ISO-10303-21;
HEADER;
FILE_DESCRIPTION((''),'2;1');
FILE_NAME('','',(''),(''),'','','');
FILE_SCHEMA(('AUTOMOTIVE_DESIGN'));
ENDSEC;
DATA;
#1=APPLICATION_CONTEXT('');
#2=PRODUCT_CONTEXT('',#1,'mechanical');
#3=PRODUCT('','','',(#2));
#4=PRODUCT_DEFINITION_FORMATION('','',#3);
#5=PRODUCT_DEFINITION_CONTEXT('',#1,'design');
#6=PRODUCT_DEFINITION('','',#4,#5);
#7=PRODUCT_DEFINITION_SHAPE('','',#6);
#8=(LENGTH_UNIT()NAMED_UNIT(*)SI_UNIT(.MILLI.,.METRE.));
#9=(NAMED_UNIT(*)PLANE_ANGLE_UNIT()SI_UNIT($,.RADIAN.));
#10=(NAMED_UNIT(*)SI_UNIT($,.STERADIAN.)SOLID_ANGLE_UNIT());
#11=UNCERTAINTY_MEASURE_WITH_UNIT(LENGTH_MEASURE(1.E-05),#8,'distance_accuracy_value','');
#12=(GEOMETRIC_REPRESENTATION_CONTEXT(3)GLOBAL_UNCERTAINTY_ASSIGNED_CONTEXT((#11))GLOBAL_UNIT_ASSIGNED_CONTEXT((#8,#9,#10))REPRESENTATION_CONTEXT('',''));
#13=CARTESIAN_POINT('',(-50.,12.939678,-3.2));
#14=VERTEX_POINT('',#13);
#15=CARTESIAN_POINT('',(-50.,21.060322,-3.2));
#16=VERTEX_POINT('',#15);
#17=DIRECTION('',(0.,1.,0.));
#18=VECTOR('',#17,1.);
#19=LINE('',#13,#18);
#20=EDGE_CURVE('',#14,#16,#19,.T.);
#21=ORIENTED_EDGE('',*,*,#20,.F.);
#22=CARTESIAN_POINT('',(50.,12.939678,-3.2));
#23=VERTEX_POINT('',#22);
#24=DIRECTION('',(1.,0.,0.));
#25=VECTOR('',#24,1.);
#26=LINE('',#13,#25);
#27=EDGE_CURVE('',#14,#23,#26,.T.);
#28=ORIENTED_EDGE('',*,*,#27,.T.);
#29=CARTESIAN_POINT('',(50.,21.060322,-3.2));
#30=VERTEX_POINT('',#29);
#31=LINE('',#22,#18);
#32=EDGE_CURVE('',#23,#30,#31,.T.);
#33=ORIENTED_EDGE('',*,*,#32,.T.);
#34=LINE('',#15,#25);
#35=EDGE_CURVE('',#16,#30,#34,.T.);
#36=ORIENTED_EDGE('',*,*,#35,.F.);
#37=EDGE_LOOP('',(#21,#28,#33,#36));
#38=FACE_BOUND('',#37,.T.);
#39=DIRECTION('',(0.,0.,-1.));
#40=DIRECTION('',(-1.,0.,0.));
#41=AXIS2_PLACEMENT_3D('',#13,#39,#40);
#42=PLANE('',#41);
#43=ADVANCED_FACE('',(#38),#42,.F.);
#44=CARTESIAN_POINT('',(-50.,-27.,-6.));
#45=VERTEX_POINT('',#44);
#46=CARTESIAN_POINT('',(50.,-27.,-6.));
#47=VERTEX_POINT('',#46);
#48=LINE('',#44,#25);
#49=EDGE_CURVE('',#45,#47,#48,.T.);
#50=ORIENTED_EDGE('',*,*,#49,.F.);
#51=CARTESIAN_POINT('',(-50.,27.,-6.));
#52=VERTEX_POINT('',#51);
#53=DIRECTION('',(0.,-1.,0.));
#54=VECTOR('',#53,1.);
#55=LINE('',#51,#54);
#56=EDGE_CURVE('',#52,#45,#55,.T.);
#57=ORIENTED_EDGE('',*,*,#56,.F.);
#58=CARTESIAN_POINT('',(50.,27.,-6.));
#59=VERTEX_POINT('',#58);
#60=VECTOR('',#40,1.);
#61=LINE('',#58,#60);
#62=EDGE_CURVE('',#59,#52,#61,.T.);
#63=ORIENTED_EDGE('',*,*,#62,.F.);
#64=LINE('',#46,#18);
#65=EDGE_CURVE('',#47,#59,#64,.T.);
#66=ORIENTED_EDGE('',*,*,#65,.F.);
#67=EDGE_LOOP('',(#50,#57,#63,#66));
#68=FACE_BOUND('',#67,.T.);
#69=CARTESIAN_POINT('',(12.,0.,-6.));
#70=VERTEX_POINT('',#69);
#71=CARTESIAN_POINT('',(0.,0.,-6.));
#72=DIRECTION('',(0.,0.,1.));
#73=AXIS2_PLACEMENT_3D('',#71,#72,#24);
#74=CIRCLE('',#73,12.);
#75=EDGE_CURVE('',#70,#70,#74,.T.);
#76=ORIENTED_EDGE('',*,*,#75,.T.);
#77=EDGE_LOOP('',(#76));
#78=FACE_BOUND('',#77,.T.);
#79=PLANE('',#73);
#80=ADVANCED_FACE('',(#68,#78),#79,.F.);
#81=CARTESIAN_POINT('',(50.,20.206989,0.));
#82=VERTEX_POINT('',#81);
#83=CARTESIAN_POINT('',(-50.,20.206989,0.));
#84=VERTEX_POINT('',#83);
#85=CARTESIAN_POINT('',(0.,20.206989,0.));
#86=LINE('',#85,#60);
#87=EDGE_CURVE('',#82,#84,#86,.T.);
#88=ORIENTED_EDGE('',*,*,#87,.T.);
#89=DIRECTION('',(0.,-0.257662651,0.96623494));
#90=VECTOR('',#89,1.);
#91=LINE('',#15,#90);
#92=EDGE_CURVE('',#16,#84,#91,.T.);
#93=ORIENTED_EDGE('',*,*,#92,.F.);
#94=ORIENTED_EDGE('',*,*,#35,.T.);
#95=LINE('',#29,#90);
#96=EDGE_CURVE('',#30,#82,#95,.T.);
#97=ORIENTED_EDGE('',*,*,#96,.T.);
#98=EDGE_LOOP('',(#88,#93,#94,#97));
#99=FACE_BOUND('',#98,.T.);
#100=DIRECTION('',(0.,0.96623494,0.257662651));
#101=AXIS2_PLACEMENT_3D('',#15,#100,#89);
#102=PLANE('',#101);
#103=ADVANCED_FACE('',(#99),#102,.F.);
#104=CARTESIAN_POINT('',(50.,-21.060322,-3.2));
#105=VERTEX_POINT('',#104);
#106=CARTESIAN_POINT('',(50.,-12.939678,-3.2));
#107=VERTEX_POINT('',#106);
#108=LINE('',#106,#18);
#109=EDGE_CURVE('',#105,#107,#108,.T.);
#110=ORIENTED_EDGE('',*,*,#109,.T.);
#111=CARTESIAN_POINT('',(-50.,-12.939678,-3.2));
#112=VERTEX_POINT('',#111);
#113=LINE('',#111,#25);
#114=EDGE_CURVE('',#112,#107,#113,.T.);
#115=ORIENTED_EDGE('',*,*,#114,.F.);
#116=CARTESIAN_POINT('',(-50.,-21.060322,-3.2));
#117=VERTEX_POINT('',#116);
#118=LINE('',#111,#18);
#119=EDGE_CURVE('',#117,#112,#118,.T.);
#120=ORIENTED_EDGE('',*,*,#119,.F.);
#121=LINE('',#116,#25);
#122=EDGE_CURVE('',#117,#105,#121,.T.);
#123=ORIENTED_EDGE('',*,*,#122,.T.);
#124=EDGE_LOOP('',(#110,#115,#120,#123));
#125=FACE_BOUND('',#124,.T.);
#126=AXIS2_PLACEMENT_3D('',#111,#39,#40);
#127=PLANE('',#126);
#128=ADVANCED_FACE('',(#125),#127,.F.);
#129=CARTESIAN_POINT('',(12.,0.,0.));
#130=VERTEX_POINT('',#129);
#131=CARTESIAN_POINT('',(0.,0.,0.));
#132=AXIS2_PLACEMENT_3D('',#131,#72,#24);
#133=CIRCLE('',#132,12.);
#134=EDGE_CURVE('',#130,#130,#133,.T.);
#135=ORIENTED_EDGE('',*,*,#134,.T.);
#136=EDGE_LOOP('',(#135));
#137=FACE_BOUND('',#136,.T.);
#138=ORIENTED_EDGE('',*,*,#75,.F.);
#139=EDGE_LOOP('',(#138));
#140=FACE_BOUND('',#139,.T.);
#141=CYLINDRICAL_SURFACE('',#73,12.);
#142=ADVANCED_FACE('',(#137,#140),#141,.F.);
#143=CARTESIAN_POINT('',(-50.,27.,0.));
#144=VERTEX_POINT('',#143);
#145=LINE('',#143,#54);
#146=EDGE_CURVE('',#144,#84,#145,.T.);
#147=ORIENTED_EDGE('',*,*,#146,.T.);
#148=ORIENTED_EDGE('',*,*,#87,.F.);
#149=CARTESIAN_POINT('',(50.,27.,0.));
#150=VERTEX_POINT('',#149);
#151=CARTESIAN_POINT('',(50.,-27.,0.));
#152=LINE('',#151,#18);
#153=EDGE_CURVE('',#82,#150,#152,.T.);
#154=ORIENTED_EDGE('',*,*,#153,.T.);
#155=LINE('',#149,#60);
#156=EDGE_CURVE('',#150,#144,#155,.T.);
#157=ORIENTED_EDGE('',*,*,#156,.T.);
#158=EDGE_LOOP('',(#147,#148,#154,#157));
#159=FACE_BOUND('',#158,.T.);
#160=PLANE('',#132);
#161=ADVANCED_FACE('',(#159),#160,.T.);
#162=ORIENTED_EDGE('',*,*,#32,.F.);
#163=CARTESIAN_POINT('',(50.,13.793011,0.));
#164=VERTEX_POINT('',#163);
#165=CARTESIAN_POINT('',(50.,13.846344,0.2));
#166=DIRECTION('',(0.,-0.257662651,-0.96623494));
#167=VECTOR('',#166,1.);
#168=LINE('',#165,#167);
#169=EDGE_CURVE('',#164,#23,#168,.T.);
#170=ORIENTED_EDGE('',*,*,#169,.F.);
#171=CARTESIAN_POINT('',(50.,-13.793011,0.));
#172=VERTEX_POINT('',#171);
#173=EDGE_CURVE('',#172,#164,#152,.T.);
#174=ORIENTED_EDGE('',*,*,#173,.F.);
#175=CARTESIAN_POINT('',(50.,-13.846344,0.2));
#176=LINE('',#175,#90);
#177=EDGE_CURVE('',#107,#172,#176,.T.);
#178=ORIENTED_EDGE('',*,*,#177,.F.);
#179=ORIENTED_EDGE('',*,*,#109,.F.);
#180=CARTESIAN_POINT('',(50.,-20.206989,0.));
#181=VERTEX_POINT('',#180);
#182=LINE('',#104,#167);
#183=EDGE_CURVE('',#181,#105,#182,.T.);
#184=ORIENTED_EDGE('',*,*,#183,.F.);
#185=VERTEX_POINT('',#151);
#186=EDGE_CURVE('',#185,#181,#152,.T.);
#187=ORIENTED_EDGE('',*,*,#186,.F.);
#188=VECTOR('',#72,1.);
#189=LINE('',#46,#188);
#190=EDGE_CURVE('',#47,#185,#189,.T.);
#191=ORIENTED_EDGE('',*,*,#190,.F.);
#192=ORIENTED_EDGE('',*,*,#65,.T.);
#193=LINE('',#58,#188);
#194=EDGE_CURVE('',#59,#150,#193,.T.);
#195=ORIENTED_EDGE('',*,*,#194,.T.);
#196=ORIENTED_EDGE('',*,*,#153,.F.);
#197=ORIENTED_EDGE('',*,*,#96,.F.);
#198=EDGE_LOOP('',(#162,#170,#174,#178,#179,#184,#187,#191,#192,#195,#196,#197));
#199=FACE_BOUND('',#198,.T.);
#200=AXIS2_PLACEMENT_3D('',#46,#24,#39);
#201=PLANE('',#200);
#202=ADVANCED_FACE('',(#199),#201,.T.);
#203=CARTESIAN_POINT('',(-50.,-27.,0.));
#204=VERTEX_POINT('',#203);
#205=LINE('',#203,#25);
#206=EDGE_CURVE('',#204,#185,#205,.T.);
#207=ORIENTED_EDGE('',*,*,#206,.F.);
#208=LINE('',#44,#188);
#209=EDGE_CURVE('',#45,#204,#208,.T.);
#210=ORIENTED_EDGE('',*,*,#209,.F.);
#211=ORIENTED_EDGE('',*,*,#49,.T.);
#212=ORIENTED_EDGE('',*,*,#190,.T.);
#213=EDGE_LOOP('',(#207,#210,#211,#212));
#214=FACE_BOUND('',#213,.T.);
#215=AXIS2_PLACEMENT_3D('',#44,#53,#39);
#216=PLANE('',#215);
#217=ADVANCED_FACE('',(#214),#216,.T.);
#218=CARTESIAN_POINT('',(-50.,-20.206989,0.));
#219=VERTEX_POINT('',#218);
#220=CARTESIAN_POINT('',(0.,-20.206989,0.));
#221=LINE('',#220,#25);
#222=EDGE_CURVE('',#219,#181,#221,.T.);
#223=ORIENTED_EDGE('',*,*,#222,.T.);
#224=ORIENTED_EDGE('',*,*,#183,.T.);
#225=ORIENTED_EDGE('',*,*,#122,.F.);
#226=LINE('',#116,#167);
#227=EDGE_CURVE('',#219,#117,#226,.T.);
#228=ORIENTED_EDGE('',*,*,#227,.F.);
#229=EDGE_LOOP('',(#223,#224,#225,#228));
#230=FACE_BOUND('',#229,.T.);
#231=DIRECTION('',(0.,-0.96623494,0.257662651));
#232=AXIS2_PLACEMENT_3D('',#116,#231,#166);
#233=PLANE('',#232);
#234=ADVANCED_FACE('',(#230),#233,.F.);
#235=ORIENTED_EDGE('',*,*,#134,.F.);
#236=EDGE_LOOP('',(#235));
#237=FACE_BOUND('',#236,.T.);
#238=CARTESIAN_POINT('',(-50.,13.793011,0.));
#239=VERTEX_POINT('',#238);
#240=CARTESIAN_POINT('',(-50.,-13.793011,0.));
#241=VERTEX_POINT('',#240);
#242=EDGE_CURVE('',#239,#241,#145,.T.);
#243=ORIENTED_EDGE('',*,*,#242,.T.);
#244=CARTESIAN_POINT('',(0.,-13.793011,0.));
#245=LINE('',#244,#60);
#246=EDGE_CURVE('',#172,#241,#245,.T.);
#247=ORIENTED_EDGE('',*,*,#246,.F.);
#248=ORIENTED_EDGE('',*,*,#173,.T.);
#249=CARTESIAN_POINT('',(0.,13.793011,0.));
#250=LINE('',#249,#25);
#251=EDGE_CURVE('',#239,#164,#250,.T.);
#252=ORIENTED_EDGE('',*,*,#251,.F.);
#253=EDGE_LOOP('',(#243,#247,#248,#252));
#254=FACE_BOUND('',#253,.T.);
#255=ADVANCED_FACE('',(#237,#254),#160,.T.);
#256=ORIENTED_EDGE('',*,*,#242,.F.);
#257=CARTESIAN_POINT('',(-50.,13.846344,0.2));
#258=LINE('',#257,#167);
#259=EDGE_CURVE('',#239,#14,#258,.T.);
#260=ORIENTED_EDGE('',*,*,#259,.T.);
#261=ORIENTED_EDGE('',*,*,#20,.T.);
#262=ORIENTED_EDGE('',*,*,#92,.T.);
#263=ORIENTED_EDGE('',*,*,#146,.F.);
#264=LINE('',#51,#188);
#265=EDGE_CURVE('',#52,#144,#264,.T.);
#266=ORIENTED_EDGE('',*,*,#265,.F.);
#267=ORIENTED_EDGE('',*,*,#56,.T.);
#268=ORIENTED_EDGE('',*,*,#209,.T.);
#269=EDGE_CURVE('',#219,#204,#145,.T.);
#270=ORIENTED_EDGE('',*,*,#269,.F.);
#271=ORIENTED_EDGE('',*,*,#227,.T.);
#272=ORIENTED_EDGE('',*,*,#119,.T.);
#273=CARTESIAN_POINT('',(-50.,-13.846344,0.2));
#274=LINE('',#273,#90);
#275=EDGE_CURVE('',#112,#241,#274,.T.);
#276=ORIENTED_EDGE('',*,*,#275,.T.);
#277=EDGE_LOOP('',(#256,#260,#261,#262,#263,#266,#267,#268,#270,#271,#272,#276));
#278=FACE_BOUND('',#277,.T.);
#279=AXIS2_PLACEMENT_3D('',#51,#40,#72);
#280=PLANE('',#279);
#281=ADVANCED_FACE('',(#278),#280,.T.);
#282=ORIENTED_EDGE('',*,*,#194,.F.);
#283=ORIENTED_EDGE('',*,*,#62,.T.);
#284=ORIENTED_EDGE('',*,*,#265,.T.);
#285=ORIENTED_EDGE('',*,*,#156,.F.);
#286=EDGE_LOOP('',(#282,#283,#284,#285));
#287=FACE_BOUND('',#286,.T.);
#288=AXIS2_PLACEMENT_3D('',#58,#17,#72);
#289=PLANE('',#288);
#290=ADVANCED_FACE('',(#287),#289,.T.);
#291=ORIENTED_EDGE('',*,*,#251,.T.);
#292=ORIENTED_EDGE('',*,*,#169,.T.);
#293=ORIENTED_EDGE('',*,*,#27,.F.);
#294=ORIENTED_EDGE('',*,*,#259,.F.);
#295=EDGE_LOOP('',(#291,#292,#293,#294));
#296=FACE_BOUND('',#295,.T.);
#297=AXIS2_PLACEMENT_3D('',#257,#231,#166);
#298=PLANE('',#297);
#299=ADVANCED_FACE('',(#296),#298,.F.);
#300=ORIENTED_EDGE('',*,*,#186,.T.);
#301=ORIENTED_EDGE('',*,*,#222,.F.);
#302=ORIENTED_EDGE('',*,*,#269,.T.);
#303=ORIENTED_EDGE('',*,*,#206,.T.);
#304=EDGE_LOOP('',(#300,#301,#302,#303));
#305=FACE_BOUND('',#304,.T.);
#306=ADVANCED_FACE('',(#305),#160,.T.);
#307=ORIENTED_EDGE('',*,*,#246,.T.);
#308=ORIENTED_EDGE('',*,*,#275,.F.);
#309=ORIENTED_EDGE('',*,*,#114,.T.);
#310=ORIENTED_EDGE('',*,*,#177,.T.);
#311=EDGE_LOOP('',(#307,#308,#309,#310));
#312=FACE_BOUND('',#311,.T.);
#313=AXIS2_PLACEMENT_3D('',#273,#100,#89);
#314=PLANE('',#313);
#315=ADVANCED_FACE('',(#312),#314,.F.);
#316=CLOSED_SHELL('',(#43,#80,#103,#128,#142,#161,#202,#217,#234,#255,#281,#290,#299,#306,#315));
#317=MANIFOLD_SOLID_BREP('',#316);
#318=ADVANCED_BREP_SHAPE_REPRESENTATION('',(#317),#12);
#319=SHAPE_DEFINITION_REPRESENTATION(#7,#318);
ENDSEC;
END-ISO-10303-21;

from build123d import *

# Parameters (mm, degrees)
PLATE_PROFILE_W             = 100
PLATE_PROFILE_H             = 54
PLATE_PROFILE_R             = 12
PLATE_6MM_DEPTH             = 6
DOVETAIL_GROOVES_DEPTH      = 58.140178509
DOVETAIL_GROOVES_DEPTH_BACK = 58.140178509


with BuildPart() as part:
    # Plate profile → Plate 6mm (new body)
    with BuildSketch(Plane.XY):
        Rectangle(PLATE_PROFILE_W, PLATE_PROFILE_H)
        Circle(PLATE_PROFILE_R, mode=Mode.SUBTRACT)
    extrude(amount=-PLATE_6MM_DEPTH)

    # Groove profiles → Dovetail grooves (cut, two sides: drawn at the far end of the back side and taken through both)
    with BuildSketch(Plane(origin=(0, 0, 0), x_dir=(0, 0, -1), z_dir=(1, 0, 0)).offset(-DOVETAIL_GROOVES_DEPTH_BACK)):
        Polygon((-0.2, 13.846344337), (3.2, 12.939677671), (3.2, 21.060322329), (-0.2, 20.153655663), align=None)
        Polygon((-0.2, -13.846344337), (3.2, -12.939677671), (3.2, -21.060322329), (-0.2, -20.153655663), align=None)
    extrude(amount=DOVETAIL_GROOVES_DEPTH + DOVETAIL_GROOVES_DEPTH_BACK, mode=Mode.SUBTRACT)


solid = part.part
